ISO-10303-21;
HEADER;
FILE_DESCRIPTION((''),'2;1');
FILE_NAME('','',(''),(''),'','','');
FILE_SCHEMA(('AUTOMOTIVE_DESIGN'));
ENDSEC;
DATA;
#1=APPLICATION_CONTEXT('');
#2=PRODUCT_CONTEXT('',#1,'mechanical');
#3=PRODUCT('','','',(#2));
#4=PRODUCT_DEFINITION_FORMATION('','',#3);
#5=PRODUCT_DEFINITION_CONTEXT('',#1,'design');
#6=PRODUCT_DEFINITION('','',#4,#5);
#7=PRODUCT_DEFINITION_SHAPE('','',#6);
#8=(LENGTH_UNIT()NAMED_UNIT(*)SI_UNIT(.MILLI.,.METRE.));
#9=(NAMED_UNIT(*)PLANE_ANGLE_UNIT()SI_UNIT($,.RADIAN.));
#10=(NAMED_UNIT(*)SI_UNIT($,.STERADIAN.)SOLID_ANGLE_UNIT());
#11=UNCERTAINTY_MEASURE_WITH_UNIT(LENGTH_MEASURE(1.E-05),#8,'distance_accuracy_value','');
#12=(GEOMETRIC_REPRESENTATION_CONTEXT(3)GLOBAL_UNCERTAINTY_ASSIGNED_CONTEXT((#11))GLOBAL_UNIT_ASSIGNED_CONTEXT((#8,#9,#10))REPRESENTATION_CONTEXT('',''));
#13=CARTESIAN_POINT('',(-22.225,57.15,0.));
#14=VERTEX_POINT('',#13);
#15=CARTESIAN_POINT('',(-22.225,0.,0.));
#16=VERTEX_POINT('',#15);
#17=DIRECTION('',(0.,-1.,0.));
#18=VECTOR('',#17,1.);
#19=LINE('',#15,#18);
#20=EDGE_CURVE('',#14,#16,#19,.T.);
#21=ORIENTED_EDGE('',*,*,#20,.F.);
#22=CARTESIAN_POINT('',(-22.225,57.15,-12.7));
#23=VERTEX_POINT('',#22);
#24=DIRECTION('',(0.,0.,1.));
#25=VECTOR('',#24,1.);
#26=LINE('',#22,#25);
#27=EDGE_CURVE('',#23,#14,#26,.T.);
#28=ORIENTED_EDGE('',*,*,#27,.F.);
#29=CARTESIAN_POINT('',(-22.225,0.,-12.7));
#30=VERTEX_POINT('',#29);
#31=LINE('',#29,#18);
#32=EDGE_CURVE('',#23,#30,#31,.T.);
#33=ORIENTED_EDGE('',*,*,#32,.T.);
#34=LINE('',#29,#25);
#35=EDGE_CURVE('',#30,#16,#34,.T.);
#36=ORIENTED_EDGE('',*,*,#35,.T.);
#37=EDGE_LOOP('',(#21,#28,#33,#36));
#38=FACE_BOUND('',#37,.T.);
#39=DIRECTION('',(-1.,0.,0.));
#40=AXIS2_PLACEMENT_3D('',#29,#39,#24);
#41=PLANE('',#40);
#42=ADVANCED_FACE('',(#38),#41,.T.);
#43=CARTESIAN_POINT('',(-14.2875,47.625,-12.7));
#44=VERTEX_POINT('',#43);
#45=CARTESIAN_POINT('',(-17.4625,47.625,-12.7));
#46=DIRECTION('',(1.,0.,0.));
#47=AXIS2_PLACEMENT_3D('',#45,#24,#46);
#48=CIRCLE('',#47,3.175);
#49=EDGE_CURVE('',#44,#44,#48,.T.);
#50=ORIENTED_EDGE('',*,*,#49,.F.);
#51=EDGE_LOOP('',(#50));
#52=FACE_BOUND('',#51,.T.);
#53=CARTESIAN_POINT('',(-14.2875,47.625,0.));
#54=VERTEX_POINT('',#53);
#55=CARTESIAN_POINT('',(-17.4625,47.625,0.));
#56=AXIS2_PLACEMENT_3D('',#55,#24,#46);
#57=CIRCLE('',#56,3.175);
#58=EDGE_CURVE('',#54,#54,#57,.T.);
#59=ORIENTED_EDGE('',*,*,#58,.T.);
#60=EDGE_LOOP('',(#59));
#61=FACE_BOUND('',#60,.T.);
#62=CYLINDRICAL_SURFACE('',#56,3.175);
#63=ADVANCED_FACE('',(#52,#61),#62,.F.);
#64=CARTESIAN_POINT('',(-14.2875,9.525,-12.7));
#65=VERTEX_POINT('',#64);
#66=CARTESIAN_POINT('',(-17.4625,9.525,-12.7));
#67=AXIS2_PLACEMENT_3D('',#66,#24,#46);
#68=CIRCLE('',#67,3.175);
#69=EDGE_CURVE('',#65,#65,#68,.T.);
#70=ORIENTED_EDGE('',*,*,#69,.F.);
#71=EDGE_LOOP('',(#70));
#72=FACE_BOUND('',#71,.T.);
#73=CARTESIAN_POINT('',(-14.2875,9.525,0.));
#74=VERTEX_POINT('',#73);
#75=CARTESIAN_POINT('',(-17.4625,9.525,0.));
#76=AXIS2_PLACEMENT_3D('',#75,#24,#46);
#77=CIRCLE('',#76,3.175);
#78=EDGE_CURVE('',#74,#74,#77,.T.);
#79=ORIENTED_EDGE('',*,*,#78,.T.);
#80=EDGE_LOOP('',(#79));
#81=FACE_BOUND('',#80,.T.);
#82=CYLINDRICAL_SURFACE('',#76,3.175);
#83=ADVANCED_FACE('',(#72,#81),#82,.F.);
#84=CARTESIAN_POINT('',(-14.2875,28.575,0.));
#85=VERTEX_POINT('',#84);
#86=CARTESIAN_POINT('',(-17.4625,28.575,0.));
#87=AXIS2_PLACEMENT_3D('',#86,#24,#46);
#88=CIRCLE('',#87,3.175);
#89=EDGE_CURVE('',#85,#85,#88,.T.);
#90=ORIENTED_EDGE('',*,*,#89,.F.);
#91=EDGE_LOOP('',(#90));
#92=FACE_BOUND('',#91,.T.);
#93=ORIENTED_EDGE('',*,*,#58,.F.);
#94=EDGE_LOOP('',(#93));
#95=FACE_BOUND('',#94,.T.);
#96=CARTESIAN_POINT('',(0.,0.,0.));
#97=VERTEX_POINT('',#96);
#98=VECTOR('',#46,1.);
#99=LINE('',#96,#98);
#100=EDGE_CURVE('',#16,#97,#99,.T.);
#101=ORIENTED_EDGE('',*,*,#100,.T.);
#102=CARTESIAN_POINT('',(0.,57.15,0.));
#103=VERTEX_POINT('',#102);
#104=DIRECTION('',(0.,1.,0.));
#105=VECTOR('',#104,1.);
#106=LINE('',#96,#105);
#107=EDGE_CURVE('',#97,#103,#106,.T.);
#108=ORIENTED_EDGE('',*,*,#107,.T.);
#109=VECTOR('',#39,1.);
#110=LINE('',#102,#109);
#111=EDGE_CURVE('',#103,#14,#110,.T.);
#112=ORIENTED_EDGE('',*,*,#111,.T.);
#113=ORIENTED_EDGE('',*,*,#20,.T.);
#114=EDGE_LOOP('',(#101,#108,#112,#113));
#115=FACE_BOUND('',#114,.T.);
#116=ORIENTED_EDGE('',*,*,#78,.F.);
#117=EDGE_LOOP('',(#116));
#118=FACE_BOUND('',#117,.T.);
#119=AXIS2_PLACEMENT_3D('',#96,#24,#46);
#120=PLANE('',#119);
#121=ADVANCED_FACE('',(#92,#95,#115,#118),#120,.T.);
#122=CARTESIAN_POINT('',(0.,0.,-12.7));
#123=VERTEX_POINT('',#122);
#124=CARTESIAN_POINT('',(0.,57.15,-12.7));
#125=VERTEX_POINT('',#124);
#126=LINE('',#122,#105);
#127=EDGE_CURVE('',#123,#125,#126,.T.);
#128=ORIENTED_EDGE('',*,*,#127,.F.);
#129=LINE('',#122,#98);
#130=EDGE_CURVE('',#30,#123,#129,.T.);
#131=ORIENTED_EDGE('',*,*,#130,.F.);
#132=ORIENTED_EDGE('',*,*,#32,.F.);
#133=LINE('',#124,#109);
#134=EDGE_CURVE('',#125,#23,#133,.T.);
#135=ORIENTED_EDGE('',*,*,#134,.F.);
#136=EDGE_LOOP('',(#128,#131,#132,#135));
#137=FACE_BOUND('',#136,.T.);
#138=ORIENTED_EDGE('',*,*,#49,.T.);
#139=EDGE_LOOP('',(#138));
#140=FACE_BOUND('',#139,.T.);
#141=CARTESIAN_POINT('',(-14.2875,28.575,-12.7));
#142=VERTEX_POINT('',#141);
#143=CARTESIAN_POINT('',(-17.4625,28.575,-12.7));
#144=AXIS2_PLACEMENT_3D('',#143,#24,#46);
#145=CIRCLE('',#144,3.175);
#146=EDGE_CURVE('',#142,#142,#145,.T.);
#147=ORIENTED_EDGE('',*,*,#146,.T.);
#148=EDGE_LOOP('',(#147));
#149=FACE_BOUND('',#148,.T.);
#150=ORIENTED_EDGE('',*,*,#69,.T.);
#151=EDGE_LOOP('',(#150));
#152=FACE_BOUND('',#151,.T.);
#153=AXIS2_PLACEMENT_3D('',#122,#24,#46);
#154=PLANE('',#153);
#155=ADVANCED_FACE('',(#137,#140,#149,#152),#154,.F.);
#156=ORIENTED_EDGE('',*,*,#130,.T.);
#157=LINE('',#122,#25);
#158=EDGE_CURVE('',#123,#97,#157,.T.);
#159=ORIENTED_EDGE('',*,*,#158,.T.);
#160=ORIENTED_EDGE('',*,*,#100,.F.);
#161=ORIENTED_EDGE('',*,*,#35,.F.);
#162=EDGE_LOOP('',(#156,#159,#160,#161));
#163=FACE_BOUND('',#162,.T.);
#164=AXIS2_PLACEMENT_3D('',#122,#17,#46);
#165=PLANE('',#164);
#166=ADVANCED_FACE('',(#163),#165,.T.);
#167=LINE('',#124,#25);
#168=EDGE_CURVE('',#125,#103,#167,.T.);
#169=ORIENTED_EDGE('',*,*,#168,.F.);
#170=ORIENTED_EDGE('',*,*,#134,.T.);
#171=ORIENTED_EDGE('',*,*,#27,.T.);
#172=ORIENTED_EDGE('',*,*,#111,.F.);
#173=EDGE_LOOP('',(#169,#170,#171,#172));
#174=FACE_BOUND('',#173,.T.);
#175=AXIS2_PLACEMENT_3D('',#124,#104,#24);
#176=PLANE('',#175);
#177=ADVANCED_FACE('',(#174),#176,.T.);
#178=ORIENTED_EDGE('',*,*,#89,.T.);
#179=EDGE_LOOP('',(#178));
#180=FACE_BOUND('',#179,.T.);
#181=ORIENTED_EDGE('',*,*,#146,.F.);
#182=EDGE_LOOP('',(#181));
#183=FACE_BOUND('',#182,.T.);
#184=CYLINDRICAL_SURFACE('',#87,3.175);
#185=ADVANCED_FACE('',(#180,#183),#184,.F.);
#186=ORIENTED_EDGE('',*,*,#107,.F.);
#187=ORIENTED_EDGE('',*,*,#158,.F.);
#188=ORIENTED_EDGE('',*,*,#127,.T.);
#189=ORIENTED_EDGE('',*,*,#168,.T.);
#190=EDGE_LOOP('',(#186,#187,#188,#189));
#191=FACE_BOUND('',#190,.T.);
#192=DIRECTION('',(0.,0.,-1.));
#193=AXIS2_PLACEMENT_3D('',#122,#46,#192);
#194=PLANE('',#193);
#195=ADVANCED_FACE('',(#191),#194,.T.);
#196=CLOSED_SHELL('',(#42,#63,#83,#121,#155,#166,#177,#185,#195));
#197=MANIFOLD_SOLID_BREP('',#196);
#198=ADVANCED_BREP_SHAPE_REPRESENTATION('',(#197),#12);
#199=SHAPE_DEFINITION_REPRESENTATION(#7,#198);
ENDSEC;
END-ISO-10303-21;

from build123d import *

# Parameters (mm, degrees)
SKETCH1_W                   = 22.225
SKETCH1_H                   = 57.15
BOSS_EXTRUDE1_DEPTH         = 12.7
F_1_4_0_25_DIAMETER_HOLE1_D = 6.35


with BuildPart() as part:
    # Sketch1 → Boss-Extrude1 (new body)
    with BuildSketch(Plane.XY):
        with Locations((-11.1125, 28.575)):
            Rectangle(SKETCH1_W, SKETCH1_H)
    extrude(amount=-BOSS_EXTRUDE1_DEPTH)

    # 1/4 (0.25) Diameter Hole1 (through all)
    with Locations(Plane.XY):
        with Locations((-17.4625, 47.625), (-17.4625, 28.575), (-17.4625, 9.525)):
            Hole(F_1_4_0_25_DIAMETER_HOLE1_D / 2)


solid = part.part
